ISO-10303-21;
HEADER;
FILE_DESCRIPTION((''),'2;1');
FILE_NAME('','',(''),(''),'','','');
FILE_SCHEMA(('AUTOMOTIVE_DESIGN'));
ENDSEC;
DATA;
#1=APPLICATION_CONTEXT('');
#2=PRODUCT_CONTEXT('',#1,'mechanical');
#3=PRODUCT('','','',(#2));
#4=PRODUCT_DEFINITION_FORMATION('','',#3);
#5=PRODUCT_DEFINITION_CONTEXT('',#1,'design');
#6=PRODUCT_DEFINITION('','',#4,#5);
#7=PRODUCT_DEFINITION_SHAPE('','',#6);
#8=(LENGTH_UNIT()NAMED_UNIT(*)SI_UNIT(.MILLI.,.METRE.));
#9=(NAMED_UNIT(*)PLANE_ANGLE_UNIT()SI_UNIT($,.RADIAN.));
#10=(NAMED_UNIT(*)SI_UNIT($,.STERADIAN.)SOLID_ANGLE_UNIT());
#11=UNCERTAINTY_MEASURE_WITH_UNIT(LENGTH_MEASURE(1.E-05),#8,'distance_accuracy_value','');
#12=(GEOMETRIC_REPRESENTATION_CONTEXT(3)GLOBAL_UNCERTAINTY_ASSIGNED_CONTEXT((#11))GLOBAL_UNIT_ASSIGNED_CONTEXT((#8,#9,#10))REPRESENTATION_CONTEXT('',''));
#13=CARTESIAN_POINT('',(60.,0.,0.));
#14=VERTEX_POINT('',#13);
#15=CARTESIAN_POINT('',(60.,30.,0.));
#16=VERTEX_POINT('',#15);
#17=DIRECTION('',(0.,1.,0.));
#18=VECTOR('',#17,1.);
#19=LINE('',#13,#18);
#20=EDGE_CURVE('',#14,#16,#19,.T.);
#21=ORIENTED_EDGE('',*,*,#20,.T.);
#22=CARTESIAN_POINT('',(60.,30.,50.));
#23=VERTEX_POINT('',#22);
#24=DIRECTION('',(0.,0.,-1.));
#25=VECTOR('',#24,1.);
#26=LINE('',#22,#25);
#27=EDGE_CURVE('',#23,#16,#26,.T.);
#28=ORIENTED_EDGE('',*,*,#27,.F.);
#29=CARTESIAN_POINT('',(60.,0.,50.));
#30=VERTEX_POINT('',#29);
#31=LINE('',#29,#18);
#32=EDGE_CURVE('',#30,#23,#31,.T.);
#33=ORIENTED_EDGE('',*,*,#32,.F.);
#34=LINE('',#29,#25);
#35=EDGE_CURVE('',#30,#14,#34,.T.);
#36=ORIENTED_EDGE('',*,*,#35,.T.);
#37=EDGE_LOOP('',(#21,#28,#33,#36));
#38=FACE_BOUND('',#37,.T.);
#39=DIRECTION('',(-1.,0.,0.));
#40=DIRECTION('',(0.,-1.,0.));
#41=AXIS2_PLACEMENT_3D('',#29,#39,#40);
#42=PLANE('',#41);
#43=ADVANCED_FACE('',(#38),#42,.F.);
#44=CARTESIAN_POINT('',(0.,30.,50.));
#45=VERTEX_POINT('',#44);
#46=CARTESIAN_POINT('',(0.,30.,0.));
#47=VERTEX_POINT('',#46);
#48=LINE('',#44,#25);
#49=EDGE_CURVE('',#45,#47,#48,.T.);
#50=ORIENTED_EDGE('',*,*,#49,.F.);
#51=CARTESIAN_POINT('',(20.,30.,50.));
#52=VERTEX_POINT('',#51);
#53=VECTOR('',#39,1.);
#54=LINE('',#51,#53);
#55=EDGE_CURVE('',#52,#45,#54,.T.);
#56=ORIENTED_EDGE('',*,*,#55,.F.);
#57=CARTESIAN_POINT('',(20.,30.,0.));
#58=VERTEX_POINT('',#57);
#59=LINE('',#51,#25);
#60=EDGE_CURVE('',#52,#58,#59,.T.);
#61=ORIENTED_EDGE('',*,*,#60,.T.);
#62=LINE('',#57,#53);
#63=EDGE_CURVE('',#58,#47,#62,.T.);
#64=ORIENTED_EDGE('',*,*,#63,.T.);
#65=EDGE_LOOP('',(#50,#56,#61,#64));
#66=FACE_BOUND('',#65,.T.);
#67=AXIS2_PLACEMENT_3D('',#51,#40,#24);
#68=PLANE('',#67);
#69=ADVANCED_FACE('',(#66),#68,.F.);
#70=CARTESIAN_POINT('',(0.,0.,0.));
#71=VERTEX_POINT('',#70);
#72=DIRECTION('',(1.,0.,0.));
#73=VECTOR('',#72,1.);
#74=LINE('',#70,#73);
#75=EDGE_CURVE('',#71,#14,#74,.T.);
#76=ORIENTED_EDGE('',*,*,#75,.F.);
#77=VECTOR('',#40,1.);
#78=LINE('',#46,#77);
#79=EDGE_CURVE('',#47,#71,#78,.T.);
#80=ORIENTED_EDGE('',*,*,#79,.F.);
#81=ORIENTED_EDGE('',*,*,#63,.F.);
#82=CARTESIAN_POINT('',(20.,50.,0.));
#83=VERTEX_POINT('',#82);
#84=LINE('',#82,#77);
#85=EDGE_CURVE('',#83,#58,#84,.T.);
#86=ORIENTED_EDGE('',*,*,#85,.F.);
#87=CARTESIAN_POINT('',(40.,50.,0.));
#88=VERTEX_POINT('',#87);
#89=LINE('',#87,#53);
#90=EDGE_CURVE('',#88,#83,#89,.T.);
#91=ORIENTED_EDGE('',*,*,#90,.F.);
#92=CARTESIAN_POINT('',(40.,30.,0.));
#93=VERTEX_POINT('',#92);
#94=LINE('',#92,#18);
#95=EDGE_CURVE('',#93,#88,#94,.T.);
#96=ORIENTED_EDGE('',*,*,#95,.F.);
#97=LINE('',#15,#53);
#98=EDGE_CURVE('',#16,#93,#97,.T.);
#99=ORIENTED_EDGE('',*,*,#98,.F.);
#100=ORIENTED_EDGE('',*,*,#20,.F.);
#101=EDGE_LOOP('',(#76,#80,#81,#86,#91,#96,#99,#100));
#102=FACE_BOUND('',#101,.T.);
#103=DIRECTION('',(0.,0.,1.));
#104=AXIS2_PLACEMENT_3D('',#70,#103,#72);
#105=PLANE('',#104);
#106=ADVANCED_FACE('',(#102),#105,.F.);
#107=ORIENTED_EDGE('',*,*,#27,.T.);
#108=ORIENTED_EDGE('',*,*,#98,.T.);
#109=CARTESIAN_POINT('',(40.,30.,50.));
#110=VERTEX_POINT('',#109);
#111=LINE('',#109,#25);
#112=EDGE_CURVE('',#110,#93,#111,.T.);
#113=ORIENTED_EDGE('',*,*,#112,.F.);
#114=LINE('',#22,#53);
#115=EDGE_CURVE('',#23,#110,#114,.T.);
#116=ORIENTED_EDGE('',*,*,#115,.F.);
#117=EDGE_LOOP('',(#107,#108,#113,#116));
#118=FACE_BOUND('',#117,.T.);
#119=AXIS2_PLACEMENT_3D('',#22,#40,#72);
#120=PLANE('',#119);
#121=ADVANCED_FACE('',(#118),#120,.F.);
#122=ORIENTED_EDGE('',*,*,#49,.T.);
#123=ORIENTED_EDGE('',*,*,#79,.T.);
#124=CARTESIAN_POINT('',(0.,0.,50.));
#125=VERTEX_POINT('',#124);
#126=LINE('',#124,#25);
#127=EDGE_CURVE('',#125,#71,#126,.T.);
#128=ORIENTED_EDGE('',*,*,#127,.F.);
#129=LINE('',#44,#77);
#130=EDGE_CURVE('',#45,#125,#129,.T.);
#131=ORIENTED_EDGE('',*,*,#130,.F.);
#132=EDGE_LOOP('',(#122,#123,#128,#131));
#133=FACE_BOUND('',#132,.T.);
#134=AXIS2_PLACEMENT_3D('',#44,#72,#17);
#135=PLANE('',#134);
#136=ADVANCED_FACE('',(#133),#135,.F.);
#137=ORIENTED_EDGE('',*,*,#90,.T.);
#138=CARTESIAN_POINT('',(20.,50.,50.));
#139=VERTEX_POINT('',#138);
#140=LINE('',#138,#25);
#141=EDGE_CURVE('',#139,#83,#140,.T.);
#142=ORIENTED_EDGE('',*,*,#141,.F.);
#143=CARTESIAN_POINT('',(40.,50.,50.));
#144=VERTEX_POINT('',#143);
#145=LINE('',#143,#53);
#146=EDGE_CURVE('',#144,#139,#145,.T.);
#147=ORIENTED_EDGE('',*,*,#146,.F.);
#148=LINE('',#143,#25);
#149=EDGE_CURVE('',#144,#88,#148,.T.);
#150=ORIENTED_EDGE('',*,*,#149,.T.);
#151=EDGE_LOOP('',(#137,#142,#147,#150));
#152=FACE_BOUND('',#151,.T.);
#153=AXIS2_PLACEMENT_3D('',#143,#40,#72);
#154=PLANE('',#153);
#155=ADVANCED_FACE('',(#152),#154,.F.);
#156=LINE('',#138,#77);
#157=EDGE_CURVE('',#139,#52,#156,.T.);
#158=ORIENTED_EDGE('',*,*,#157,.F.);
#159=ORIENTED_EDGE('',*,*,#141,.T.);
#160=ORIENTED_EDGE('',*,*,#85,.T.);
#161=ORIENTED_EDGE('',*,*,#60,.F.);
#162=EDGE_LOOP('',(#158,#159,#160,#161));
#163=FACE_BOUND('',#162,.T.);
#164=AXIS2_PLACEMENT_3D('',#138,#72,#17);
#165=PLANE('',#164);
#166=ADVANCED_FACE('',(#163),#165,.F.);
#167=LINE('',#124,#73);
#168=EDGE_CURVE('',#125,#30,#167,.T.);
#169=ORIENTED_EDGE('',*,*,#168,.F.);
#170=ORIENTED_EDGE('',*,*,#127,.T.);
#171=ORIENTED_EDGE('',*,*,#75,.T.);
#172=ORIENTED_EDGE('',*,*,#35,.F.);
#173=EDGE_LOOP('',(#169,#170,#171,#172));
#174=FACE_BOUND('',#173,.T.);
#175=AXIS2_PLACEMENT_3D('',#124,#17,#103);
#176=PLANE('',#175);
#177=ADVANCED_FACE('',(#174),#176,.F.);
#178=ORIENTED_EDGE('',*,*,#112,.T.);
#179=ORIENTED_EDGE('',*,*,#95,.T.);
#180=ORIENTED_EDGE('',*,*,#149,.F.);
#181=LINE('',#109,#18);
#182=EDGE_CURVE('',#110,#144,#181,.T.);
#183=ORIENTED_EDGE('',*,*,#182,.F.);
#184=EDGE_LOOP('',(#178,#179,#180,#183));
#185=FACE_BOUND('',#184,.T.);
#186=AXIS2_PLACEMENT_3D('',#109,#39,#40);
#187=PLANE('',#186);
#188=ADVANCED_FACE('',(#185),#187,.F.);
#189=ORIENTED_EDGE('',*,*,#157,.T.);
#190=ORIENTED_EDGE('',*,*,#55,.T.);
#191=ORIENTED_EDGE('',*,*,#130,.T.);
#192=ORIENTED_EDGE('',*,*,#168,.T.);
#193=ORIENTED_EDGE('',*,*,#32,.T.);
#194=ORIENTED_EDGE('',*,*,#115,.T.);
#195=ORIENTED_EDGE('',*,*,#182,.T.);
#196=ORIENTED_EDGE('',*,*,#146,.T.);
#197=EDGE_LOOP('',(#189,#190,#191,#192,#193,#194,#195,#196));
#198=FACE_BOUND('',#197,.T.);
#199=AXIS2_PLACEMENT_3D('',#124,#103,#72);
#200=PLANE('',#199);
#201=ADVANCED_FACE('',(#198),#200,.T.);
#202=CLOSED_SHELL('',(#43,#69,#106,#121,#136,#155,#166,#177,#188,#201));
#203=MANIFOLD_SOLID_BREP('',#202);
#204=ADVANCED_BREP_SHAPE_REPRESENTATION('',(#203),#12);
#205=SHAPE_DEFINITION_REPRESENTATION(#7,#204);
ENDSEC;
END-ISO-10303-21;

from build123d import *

# Parameters (mm, degrees)
EXTRUSION1_DEPTH = 50


with BuildPart() as part:
    # Esquisse1 → Extrusion1 (new body)
    with BuildSketch(Plane.XY):
        Polygon((0, 0), (60, 0), (60, 30), (40, 30), (40, 50), (20, 50), (20, 30), (0, 30), align=None)
    extrude(amount=EXTRUSION1_DEPTH)


solid = part.part
